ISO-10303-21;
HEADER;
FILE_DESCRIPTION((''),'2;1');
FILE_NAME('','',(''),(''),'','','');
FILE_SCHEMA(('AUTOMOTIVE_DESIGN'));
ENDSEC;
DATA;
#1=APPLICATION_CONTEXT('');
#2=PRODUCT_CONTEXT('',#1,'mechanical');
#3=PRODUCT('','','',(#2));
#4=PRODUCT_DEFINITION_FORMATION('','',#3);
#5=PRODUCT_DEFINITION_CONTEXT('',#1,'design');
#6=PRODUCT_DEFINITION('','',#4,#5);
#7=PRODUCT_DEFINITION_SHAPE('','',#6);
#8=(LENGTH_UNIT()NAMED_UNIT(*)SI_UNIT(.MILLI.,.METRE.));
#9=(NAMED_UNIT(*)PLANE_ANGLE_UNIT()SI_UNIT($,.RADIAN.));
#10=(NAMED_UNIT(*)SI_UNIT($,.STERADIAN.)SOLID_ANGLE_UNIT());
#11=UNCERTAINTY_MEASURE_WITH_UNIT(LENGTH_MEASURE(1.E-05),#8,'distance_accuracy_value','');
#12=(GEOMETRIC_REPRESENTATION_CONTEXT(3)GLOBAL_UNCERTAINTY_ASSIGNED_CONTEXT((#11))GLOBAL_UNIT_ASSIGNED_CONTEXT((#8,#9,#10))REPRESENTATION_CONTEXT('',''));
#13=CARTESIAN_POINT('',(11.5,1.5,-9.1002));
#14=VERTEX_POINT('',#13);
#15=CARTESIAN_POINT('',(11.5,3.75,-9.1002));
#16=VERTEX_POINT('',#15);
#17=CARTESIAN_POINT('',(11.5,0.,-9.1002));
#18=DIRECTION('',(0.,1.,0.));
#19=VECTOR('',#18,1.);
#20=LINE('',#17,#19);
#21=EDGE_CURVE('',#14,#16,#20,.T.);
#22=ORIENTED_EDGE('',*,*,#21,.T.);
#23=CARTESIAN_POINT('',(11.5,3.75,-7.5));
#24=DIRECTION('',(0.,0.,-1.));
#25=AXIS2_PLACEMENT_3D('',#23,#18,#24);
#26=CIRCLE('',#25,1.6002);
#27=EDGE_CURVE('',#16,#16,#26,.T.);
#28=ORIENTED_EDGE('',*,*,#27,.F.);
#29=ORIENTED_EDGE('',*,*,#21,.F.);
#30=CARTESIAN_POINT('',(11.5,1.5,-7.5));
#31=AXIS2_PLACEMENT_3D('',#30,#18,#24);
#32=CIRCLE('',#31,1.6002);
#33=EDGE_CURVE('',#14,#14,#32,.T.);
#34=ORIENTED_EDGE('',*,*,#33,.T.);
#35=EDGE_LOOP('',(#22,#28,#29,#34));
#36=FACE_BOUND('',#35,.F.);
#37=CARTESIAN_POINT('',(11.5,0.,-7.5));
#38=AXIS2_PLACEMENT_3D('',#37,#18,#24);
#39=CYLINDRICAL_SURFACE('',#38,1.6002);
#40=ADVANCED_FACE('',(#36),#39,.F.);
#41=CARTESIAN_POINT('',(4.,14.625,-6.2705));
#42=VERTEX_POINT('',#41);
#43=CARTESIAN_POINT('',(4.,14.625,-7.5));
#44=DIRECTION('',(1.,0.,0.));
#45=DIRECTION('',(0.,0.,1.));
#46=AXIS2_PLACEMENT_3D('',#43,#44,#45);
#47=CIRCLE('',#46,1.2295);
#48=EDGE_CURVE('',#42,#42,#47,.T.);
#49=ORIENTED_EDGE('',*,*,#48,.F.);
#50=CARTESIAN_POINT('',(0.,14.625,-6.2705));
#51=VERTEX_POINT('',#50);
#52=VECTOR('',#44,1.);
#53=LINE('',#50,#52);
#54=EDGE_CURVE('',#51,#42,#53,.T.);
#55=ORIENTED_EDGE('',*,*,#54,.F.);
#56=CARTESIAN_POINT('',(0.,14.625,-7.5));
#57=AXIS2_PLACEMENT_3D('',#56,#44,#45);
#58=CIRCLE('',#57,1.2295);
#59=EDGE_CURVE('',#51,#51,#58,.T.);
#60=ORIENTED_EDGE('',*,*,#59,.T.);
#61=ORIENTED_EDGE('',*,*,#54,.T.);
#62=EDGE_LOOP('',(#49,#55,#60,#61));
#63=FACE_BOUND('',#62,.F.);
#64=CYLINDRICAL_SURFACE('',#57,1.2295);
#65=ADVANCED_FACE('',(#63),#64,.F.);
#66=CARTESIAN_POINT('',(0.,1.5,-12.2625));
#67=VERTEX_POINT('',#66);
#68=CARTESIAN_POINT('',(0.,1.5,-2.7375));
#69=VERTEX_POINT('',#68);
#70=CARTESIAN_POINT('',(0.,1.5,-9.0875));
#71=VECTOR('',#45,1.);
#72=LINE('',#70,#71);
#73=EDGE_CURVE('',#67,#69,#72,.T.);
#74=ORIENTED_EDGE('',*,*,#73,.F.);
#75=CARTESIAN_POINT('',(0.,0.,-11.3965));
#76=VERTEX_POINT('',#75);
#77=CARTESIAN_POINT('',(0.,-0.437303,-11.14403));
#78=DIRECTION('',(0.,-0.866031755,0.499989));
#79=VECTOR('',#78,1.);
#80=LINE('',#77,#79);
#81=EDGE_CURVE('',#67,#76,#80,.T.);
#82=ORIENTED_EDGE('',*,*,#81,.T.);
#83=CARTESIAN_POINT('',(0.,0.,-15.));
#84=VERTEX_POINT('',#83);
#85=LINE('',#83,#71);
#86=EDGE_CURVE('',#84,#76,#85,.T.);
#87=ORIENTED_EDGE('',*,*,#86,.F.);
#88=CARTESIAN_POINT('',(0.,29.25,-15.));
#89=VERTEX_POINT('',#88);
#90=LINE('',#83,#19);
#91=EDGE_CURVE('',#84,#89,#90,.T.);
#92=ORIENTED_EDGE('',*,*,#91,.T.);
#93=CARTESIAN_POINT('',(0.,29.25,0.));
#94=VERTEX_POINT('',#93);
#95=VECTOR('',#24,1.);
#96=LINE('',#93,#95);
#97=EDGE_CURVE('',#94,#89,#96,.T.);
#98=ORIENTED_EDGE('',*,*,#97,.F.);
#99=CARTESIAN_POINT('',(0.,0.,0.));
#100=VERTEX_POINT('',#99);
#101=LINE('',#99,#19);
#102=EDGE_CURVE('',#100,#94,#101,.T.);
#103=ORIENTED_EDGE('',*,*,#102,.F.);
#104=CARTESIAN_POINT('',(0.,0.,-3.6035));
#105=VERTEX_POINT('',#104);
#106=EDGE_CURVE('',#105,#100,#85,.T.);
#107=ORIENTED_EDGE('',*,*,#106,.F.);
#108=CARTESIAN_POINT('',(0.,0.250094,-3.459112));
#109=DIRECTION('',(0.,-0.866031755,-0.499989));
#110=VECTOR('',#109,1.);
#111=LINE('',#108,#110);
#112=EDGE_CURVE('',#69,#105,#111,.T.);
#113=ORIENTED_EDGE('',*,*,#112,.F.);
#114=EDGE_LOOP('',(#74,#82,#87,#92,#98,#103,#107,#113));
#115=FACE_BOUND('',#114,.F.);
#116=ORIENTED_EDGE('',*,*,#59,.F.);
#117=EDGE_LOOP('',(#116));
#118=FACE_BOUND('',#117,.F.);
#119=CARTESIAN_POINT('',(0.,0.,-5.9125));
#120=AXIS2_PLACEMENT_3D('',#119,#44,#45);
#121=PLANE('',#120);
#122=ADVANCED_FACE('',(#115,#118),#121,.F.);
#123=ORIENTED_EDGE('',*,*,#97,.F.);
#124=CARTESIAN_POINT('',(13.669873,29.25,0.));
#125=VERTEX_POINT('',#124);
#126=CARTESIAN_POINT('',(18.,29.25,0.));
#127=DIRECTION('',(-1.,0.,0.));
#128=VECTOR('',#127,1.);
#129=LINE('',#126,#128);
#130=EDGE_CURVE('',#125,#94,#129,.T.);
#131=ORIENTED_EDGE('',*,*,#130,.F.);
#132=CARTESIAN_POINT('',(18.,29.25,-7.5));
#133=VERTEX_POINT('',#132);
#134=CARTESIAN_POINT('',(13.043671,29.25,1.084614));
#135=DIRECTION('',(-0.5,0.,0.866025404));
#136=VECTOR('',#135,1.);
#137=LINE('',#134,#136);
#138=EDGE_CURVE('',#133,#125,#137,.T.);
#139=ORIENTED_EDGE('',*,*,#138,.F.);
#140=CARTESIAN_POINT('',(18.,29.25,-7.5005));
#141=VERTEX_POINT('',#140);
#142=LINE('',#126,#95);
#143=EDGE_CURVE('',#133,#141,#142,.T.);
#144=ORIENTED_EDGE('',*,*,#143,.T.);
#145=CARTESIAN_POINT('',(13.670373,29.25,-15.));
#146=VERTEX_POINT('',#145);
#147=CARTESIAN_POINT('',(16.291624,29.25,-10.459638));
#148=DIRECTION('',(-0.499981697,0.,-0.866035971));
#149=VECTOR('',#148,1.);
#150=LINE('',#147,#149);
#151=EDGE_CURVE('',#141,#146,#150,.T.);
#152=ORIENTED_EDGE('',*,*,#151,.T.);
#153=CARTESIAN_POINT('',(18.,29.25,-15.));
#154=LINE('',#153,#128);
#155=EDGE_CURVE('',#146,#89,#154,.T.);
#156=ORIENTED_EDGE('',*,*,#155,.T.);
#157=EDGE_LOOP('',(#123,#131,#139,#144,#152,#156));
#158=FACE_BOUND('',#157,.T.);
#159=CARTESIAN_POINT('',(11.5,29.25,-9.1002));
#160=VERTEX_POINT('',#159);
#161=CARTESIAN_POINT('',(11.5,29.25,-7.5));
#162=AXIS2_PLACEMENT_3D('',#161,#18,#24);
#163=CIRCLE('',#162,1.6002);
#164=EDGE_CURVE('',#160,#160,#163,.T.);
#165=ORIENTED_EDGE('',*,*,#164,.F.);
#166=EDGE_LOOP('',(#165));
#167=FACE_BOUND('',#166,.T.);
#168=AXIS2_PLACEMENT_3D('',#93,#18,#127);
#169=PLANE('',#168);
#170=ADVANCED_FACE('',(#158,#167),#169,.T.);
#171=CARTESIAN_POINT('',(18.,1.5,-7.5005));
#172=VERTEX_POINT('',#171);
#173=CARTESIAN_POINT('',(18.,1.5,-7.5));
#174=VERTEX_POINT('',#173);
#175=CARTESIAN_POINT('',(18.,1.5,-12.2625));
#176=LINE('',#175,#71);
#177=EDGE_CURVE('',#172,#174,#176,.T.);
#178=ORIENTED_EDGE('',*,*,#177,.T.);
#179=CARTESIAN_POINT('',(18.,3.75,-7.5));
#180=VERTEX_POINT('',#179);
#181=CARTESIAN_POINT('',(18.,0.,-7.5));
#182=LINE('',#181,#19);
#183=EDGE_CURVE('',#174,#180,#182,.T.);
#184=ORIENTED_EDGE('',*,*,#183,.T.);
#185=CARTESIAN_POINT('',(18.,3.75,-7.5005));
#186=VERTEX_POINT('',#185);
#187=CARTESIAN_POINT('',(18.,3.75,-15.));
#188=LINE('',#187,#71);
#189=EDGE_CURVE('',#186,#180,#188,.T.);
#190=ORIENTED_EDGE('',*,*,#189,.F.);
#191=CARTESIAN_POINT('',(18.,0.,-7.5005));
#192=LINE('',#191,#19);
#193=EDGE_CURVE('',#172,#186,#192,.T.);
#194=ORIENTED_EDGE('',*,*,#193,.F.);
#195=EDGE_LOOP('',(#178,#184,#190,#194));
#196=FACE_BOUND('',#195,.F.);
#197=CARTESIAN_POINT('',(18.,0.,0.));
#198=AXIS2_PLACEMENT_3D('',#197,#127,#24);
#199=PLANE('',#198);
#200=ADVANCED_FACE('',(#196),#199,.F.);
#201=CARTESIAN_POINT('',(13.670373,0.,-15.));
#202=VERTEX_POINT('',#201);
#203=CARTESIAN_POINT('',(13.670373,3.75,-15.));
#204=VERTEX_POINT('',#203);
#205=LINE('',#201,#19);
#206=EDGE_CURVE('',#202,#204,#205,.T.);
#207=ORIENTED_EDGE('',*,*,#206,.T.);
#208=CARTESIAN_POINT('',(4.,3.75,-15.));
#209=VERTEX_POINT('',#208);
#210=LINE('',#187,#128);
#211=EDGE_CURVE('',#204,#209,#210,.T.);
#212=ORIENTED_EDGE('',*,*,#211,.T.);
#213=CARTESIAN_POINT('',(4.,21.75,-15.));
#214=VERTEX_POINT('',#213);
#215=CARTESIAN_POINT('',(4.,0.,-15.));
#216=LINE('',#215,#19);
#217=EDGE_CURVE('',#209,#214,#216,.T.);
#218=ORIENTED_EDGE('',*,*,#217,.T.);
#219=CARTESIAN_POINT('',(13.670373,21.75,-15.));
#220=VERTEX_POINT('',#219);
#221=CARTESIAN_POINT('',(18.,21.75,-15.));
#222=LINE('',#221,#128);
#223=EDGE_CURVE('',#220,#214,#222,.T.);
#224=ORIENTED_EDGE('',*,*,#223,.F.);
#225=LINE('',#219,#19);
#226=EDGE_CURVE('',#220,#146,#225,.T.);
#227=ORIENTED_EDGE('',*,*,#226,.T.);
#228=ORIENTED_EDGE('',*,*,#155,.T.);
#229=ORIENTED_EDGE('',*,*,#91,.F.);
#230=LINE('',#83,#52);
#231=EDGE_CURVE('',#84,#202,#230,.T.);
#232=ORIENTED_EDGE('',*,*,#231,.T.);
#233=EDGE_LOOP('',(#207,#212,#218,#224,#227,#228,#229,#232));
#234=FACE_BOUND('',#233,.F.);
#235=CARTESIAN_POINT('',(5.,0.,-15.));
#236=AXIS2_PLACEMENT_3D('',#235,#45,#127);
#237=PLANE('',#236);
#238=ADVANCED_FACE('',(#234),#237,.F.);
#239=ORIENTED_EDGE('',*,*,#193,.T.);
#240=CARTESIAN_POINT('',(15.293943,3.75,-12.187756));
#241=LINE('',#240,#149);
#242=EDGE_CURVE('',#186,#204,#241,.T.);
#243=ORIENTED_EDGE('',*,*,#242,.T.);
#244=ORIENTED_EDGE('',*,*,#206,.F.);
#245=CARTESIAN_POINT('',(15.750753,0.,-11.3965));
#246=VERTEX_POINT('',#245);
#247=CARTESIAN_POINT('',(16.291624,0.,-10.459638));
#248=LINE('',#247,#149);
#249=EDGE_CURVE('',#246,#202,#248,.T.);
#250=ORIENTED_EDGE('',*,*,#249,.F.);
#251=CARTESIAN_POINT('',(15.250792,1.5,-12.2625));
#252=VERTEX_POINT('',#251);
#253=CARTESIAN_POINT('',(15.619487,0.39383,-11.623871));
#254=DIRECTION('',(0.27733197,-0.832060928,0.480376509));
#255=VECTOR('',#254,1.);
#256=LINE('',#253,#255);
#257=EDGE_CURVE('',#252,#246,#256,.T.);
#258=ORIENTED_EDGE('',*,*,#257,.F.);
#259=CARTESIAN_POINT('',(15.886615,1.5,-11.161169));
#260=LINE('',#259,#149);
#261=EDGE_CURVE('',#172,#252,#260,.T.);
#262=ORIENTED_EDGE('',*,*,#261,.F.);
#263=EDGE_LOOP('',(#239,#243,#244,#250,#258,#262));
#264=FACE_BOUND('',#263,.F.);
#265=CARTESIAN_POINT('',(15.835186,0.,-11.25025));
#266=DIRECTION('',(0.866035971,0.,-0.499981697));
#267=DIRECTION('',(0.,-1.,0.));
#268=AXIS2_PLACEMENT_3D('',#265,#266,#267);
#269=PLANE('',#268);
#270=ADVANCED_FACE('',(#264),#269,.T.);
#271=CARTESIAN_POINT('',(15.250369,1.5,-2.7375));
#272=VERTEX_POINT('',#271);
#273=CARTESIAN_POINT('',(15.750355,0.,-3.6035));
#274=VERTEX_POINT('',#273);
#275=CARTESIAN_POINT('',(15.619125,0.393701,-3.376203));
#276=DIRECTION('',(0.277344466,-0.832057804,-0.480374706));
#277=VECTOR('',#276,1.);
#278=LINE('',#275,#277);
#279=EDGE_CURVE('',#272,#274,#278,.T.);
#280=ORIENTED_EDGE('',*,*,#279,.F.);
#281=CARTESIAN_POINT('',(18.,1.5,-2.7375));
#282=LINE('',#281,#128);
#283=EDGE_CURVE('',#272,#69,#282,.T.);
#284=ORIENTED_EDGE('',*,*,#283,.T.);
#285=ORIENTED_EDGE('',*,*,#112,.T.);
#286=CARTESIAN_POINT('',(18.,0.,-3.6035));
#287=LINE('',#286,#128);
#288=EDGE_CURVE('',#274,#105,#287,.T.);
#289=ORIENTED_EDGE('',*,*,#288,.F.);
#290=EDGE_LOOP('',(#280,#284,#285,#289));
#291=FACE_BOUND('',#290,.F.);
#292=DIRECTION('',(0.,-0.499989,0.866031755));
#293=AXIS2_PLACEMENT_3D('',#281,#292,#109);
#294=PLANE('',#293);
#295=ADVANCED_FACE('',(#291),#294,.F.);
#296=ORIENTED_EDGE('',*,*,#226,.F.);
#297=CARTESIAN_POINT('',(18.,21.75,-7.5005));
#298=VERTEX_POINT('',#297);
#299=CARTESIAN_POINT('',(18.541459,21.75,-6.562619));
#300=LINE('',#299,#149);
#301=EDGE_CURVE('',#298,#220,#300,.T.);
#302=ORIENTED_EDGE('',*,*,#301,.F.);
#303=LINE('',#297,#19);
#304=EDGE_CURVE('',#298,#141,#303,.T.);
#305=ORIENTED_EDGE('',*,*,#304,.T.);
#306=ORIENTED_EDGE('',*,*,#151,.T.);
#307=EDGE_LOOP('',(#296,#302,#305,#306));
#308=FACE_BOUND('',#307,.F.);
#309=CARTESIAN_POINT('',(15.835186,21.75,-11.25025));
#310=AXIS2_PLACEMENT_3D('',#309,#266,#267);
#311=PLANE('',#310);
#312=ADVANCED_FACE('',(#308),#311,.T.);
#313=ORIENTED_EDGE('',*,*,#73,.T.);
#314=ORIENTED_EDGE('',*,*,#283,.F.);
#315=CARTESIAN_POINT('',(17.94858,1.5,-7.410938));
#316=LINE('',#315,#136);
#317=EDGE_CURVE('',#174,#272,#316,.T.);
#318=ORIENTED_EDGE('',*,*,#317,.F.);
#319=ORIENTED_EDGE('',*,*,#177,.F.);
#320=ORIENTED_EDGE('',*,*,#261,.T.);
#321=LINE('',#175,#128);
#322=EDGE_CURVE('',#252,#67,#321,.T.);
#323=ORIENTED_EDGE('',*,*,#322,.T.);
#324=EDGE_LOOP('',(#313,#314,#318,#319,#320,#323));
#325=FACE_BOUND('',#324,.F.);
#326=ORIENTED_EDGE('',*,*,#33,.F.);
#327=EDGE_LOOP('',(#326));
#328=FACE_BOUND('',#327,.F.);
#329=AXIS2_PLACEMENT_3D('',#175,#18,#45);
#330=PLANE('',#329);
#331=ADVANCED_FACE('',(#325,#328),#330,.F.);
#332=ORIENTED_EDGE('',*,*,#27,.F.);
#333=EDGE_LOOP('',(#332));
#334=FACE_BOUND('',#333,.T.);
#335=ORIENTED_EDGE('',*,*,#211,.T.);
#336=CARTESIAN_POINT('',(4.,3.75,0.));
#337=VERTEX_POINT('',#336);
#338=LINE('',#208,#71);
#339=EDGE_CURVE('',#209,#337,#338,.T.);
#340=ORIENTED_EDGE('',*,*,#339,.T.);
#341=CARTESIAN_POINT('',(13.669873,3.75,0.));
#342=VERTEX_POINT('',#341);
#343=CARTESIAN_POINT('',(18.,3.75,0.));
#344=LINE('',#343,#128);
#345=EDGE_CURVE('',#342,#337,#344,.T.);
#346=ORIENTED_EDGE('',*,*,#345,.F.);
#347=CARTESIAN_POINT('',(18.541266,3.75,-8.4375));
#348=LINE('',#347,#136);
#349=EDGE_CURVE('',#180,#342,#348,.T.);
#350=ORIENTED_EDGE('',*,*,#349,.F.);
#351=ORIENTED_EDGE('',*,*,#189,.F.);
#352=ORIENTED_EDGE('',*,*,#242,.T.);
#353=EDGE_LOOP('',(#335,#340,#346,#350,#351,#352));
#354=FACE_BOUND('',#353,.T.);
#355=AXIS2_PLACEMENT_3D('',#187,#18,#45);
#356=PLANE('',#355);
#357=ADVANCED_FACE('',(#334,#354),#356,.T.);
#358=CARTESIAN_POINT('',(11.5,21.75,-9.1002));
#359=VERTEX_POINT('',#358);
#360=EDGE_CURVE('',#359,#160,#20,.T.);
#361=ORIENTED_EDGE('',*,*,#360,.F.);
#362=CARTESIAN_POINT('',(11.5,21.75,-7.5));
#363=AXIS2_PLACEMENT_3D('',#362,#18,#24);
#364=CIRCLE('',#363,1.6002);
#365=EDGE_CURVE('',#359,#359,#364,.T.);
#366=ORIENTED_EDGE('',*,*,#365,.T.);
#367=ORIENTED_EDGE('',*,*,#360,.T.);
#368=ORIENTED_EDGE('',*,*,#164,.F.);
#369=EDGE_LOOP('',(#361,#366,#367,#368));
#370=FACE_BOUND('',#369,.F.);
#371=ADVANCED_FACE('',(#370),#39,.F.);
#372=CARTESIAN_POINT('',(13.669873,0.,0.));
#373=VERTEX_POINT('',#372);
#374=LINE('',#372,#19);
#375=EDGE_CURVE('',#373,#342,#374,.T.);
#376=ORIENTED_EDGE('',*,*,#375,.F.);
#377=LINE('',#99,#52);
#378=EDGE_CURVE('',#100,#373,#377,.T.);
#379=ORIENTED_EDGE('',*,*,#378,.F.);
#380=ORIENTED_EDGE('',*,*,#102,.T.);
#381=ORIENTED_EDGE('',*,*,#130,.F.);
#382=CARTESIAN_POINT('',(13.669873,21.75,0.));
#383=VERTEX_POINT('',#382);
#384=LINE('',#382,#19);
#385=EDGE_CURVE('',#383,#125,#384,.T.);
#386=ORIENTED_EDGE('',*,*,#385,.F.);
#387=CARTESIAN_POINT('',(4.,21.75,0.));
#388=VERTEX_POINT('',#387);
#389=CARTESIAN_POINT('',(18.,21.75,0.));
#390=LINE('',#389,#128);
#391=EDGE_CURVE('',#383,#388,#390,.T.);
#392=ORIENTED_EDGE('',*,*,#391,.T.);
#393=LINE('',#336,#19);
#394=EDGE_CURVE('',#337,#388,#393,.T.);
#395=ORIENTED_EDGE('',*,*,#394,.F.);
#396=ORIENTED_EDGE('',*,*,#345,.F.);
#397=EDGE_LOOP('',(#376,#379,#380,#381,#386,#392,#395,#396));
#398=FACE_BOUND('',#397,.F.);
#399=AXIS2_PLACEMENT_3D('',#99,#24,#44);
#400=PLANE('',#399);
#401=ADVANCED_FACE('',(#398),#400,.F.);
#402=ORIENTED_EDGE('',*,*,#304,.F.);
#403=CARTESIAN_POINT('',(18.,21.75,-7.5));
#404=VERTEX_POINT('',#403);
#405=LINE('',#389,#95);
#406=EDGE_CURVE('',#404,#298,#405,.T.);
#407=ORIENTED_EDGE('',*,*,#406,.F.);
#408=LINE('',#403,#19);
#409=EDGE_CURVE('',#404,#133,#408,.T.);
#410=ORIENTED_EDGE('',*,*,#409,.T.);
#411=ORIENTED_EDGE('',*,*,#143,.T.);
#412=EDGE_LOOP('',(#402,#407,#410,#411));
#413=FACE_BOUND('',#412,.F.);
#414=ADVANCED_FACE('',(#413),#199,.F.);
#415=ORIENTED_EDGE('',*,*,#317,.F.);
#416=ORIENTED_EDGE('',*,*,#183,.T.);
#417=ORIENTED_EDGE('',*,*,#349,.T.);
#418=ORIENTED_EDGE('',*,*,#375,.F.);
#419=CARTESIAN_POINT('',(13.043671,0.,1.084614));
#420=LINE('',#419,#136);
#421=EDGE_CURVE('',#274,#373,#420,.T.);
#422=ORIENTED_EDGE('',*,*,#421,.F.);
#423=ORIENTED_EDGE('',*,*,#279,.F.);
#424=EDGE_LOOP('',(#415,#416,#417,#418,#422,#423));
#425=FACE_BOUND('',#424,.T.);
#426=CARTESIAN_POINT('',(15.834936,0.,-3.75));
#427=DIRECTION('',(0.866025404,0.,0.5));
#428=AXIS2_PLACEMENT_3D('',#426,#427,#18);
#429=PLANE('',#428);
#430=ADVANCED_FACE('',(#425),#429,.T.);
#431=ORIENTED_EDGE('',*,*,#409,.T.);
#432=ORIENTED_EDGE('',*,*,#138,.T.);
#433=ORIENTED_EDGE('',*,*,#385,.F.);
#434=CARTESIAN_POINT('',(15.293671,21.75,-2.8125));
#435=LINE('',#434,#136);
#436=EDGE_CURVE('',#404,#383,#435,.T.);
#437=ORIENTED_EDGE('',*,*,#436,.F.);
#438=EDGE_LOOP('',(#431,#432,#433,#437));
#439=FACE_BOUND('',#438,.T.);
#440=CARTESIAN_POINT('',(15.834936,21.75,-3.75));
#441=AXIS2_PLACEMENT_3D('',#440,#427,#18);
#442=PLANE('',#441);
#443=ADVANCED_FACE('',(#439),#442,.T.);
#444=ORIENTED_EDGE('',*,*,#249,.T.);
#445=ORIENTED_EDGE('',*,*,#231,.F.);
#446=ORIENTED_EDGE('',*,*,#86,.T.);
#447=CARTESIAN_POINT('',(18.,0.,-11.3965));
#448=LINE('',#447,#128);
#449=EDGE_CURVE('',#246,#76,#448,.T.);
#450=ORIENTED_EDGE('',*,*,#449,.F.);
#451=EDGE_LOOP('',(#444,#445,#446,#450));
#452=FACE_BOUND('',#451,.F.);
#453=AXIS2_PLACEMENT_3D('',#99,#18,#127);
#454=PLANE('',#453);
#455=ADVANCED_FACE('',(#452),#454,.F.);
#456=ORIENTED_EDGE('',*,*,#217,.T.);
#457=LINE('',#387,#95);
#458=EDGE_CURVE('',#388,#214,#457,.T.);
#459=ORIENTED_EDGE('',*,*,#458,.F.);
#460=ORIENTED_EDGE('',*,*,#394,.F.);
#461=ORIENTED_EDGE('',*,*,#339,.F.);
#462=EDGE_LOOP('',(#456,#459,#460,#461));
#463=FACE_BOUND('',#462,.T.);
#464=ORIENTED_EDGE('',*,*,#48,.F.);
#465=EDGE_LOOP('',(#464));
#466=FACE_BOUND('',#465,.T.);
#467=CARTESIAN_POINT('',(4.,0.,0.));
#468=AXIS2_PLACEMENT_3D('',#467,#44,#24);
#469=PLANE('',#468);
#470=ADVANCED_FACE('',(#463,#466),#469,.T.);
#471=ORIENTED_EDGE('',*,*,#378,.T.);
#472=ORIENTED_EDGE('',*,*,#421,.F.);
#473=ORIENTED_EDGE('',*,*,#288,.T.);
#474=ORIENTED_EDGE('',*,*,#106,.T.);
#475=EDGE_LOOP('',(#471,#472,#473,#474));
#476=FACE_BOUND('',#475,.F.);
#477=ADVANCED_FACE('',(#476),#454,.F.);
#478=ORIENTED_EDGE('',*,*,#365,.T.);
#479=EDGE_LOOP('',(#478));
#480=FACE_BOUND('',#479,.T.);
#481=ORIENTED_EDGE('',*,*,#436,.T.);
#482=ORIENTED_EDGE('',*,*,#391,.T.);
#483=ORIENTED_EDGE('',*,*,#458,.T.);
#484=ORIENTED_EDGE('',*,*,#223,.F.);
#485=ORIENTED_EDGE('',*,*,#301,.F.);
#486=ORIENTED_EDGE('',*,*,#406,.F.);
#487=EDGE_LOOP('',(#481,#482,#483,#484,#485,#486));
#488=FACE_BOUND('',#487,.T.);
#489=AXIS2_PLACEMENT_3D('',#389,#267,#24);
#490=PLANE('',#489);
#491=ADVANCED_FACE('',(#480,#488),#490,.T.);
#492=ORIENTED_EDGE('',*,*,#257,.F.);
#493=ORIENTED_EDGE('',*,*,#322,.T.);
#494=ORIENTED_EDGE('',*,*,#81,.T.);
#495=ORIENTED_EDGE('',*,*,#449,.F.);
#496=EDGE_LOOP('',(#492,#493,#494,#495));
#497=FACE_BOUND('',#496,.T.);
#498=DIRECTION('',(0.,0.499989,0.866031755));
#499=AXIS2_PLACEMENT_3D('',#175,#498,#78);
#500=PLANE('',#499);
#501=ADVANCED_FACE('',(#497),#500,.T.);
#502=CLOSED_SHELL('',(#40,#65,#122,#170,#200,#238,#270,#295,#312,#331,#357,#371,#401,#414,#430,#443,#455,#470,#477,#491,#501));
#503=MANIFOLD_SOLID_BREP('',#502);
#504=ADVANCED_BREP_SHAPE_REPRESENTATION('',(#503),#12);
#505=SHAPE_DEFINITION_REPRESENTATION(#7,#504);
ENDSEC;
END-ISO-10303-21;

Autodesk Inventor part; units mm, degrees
ref_plane "YZ Plane" through (0, 0, 0) normal (1, 0, 0) x (0, 1, 0)
ref_plane "XZ Plane" through (0, 0, 0) normal (0, 1, 0) x (-1, 0, 0)
ref_plane "XY Plane" through (0, 0, 0) normal (0, 0, 1) x (1, 0, 0)
sketch "Original Profile" plane through (0, 0, 0) normal (0, 1, 0) x (-1, 0, 0)
  line L0 (0, 0) -> (-18, 0)
  line L1 (-18, 0) -> (-18, -15)
  line L2 (-18, -15) -> (0, -15)
  line L3 (0, -15) -> (0, 0)
  line L4 (0, -7.5) -> (-18, -7.5)
  circle A0 centre (-11.5, -7.5) radius 1.5
  circle A1 centre (-11.5, -7.5) radius 6.5
  line L5 (-5, -15) -> (-5, 0)
  line L6 (0, -9.0875) -> (-18, -9.0875)
  line L7 (-18, -9.0875) -> (-18, -5.9125)
  line L8 (-18, -5.9125) -> (0, -5.9125)
  line L9 (0, -5.9125) -> (0, -9.0875)
  point P0 (0, -5.9125)
  point P1 (-18, -9.0875)
  dimension "d8" = 3
  dimension "d9" = 13
  dimension "d10" = 15
  dimension "d11" = 11.5
  dimension "d12" = 6.5
  dimension "d15" = 5
  dimension "d32" = 3.175
  dimension "d33" = 3.175
extrude "Stock" add sketch "Original Profile" along normal blind 29.25
sketch "Sketch4" plane through (18, 0, 0) normal (1, 0, 0) x (0, 0, -1)
  line L0 (15, 0) -> (15, 29.25) projected
  line L1 (0, 21.75) -> (15, 21.75)
  line L2 (15, 21.75) -> (15, 3.75)
  line L3 (15, 3.75) -> (0, 3.75)
  line L4 (0, 3.75) -> (0, 21.75)
  line L5 (0, 0) -> (0, 29.25) projected
  line L6 (0, 0) -> (15, 0) projected
  line L7 (15, 29.25) -> (0, 29.25) projected
  line L8 (7.5, 29.25) -> (7.5, 0) construction
  line L9 (15, 0) -> (0, 0) projected
  line L10 (2.7375, 0) -> (12.2625, 0)
  line L11 (12.2625, 0) -> (12.2625, 1.5)
  line L12 (12.2625, 1.5) -> (2.7375, 1.5)
  line L13 (2.7375, 1.5) -> (2.7375, 0)
  line L14 (2.7375, 1.5) -> (3.6035, 0)
  line L15 (2.7375, 1.5) -> (4.4696, 1.5) construction
  line L16 (12.2625, 1.5) -> (11.3965, 0)
  line L17 (12.2625, 1.5) -> (13.9946, 1.5) construction
  dimension "d40" = 3.75
  dimension "d41" = 18
  dimension "d44" = 9.525
  dimension "d45" = 4.7625
  dimension "d46" = 1.5
  dimension "d47" = 60
  dimension "d48" = 120
extrude "Cut Slot" cut sketch "Sketch4" against normal blind 14 contours L3 L4 L1 L0
extrude "Extrusion7" cut sketch "Sketch4" against normal through all contours L6 L14 L12 L16
hole "Hole1" at (11.5, 0, -7.5) direction (0, 1, 0) diameter 3.2004 end through all clearance for "Socket Head Cap Screw" size "M3" standard "Ansi Metric M Profile"
sketch "Sketch5" plane through (0, 0, 0) normal (-1, 0, 0) x (0, 0, 1)
  circle A0 centre (-7.5, 14.625) radius 1.5
  line L0 (-15, 29.25) -> (0, 29.25) projected
  line L1 (-15, 0) -> (-11.3965, 0) projected
  line L2 (-15, 0) -> (-15, 29.25) projected
  point P0 (0, 0)
  dimension "d51" = 3
  dimension "d52" = 14.625
  dimension "d53" = 29.25
  dimension "d54" = 7.5
hole "Hole2" at (0, 14.625, -7.5) direction (1, 0, 0) diameter 2.459 end through all thread size "M3x0.5" class "6H" standard "ANSI Metric M Profile"
chamfer "Chamfer1" distance 7.5 angle 30 1 edges at (18, 25.5, 0) measured on face at (18, 24.25, -10)
chamfer "Chamfer2" distance 7.5 angle 30 1 edges at (18, 1.875, 0) measured on face at (18, 3, -5.9125)
chamfer "Chamfer3" distance 7.5 angle 30 1 edges at (18, 25.5, -15) measured on face at (18, 24.25, -10)
chamfer "Chamfer4" distance 7.5 angle 30 1 edges at (18, 1.875, -15) measured on face at (18, 3, -11.5875)
equation "\"d12\" = 0.5 * d9"
equation "\"d33\" = d32"
equation "\"d45\" = 0.5 * d44"
equation "\"d52\" = 0.5 * d53"
properties part number "Bearing Sled Single" material "Aluminum 6061"
